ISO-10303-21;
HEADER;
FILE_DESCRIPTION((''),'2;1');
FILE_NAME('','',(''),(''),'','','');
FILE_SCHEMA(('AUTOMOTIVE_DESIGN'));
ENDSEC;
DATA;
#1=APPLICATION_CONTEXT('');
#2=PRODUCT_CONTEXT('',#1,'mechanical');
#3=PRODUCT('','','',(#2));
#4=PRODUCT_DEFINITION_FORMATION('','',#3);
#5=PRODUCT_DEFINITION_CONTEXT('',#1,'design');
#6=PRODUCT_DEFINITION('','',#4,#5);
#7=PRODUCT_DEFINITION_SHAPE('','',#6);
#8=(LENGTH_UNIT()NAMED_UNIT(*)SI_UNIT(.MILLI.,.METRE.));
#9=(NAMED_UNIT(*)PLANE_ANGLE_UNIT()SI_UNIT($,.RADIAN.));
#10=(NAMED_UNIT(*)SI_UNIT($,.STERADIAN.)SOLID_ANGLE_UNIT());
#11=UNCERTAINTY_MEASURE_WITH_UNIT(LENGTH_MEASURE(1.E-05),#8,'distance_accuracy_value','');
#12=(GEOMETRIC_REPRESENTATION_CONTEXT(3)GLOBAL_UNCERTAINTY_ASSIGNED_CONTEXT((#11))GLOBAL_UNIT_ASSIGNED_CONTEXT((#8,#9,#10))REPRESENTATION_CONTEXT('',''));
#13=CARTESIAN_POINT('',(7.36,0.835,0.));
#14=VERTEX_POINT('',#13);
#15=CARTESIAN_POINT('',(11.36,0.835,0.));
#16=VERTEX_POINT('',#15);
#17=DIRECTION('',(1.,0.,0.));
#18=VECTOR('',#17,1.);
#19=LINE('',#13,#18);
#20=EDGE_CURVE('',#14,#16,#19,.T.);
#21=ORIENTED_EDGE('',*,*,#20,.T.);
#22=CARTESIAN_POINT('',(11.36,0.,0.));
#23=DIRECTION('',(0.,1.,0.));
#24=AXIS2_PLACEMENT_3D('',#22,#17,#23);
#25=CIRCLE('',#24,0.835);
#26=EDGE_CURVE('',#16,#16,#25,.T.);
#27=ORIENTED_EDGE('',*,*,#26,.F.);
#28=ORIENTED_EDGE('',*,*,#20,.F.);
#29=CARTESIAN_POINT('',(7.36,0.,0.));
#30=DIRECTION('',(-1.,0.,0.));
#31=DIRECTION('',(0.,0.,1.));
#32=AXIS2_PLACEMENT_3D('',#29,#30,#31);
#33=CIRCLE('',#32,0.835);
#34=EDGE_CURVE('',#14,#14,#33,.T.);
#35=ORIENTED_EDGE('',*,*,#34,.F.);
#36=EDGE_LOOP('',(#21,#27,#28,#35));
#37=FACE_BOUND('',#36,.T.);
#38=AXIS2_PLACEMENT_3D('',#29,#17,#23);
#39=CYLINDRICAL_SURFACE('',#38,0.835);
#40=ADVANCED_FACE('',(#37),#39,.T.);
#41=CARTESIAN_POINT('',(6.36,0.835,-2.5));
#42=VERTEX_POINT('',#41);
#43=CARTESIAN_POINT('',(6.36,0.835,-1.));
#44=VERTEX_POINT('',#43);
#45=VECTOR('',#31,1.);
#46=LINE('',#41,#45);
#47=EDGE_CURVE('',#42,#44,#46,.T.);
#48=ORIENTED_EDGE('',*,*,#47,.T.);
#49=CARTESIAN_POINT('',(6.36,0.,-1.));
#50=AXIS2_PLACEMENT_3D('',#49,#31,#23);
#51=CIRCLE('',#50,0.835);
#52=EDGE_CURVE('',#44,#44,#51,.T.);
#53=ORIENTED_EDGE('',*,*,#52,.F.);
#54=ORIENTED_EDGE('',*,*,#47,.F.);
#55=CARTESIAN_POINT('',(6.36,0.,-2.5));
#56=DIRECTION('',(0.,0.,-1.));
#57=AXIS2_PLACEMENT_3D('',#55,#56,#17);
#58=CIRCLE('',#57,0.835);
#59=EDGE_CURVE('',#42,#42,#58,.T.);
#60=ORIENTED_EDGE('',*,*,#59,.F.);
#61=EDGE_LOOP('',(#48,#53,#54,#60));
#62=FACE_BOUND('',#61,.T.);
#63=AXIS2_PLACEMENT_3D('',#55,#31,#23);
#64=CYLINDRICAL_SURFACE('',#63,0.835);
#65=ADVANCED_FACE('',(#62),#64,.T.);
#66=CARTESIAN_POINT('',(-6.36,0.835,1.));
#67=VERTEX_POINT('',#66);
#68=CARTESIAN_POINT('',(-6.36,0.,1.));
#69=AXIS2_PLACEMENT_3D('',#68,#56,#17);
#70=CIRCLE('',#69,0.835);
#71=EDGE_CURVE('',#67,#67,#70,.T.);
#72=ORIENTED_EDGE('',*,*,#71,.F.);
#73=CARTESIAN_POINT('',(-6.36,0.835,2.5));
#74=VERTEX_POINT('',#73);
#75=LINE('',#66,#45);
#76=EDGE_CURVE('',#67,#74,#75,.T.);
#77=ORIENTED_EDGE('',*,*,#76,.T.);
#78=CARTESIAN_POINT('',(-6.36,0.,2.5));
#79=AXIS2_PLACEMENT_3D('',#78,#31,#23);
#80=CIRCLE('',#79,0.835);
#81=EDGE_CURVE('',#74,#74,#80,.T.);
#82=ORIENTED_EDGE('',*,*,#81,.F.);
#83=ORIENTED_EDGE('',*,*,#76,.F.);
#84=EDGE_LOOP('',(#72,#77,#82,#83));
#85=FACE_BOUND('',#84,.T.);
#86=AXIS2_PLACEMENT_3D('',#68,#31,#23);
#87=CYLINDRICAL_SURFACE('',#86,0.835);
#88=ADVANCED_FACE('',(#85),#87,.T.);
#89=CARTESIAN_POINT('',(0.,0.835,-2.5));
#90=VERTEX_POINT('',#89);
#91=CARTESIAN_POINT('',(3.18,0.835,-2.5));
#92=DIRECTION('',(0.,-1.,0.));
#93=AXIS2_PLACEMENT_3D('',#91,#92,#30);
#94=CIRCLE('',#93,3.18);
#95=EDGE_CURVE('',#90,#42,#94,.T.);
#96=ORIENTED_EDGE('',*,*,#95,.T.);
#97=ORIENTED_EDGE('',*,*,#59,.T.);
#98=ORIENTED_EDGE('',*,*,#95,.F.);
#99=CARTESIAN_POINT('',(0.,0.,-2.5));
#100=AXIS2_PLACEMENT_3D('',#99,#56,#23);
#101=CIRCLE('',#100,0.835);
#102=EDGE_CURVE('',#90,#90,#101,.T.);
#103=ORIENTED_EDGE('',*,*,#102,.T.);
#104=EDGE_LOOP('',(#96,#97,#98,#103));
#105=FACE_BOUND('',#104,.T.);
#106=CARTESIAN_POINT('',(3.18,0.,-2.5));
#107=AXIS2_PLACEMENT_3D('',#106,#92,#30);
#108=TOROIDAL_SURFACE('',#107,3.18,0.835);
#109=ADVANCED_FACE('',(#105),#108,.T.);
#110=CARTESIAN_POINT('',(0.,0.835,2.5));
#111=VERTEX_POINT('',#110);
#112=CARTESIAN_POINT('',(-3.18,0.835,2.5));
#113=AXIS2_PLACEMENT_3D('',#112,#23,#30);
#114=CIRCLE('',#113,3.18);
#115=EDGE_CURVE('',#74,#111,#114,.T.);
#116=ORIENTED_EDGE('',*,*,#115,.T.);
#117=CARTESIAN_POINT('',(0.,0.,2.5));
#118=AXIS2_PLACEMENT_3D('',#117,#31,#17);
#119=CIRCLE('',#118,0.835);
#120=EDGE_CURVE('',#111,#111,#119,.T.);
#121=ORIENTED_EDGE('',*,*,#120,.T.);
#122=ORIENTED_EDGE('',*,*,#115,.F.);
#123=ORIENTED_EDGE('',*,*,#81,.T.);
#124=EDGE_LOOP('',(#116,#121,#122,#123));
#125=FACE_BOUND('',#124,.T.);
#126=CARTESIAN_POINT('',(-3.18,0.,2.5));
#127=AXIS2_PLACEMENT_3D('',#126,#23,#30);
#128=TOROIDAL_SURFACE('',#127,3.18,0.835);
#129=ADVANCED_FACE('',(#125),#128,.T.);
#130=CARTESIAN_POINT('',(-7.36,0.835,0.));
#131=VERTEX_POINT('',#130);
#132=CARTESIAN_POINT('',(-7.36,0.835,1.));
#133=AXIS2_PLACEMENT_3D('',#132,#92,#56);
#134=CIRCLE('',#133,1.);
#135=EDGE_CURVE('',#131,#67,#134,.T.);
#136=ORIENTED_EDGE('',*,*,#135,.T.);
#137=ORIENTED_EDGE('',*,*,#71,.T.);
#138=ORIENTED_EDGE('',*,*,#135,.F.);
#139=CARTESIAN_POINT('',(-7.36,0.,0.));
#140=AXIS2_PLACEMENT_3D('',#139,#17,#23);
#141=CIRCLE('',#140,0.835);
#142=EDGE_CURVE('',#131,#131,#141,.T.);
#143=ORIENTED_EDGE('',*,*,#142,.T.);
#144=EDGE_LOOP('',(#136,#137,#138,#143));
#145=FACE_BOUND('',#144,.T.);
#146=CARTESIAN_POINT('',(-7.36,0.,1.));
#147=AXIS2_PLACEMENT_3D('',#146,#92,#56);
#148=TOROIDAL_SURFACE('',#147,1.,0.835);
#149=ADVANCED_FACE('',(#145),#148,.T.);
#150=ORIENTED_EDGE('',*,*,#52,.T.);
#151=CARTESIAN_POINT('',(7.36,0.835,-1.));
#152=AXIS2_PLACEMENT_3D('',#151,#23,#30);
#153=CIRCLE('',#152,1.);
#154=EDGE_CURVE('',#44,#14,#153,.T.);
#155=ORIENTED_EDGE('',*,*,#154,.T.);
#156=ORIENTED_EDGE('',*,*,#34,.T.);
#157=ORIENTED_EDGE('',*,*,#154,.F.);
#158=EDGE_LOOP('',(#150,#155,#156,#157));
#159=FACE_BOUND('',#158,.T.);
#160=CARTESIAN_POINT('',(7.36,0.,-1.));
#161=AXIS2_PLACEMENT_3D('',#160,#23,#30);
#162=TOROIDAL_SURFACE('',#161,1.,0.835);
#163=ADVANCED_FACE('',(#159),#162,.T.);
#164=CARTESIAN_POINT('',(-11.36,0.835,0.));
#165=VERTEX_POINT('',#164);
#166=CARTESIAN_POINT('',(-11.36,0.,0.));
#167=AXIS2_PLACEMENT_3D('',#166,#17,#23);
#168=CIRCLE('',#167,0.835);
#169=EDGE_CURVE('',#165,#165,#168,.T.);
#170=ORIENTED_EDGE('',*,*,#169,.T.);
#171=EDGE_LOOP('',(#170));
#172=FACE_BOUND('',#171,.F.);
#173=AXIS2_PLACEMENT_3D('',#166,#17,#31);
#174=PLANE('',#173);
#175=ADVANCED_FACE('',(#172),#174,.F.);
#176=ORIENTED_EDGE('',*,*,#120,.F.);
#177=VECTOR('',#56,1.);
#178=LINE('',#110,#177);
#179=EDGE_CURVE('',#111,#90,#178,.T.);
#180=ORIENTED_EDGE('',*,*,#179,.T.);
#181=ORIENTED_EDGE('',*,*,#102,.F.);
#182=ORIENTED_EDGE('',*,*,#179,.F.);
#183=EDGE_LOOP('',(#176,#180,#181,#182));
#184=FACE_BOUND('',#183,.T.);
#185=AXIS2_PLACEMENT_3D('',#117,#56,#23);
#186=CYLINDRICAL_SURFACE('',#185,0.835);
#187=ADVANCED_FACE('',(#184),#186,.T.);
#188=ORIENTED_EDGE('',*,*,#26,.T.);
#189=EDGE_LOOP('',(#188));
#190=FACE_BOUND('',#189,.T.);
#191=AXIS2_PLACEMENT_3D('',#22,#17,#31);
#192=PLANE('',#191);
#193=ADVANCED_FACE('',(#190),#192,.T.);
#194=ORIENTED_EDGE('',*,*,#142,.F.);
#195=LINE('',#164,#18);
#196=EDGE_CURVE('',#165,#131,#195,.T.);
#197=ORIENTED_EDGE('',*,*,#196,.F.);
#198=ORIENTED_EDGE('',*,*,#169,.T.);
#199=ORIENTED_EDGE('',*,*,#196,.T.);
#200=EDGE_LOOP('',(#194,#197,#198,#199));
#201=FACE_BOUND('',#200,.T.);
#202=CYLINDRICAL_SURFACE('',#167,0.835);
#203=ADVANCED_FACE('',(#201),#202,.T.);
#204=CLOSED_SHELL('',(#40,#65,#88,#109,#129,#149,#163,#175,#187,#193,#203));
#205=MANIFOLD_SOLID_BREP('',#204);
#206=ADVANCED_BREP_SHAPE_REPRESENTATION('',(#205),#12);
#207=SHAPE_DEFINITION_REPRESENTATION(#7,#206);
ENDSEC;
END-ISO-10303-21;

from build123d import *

# Parameters (mm, degrees)
F2_R = 0.835


with BuildPart() as f3:
    # F3: sweep along a path in F0
    with BuildLine(Plane.XZ) as f3_path:
        Line((-11.36, 0), (-7.36, 0))
        ThreePointArc((-7.36, 0), (-6.6528932188, 0.2928932188), (-6.36, 1))
        Line((-6.36, 1), (-6.36, 2.5))
        ThreePointArc((-6.36, 2.5), (-3.18, 5.68), (0, 2.5))
        Line((0, 2.5), (0, -2.5))
        ThreePointArc((0, -2.5), (3.18, -5.68), (6.36, -2.5))
        Line((6.36, -2.5), (6.36, -1))
        ThreePointArc((6.36, -1), (6.6528932188, -0.2928932188), (7.36, 0))
        Line((7.36, 0), (11.36, 0))
    # F2 (on plane+point) → F3 (sweep)
    with BuildSketch(Plane.YZ.offset(-11.36)):
        Circle(F2_R)
    sweep(path=f3_path.line)


solid = f3.part
